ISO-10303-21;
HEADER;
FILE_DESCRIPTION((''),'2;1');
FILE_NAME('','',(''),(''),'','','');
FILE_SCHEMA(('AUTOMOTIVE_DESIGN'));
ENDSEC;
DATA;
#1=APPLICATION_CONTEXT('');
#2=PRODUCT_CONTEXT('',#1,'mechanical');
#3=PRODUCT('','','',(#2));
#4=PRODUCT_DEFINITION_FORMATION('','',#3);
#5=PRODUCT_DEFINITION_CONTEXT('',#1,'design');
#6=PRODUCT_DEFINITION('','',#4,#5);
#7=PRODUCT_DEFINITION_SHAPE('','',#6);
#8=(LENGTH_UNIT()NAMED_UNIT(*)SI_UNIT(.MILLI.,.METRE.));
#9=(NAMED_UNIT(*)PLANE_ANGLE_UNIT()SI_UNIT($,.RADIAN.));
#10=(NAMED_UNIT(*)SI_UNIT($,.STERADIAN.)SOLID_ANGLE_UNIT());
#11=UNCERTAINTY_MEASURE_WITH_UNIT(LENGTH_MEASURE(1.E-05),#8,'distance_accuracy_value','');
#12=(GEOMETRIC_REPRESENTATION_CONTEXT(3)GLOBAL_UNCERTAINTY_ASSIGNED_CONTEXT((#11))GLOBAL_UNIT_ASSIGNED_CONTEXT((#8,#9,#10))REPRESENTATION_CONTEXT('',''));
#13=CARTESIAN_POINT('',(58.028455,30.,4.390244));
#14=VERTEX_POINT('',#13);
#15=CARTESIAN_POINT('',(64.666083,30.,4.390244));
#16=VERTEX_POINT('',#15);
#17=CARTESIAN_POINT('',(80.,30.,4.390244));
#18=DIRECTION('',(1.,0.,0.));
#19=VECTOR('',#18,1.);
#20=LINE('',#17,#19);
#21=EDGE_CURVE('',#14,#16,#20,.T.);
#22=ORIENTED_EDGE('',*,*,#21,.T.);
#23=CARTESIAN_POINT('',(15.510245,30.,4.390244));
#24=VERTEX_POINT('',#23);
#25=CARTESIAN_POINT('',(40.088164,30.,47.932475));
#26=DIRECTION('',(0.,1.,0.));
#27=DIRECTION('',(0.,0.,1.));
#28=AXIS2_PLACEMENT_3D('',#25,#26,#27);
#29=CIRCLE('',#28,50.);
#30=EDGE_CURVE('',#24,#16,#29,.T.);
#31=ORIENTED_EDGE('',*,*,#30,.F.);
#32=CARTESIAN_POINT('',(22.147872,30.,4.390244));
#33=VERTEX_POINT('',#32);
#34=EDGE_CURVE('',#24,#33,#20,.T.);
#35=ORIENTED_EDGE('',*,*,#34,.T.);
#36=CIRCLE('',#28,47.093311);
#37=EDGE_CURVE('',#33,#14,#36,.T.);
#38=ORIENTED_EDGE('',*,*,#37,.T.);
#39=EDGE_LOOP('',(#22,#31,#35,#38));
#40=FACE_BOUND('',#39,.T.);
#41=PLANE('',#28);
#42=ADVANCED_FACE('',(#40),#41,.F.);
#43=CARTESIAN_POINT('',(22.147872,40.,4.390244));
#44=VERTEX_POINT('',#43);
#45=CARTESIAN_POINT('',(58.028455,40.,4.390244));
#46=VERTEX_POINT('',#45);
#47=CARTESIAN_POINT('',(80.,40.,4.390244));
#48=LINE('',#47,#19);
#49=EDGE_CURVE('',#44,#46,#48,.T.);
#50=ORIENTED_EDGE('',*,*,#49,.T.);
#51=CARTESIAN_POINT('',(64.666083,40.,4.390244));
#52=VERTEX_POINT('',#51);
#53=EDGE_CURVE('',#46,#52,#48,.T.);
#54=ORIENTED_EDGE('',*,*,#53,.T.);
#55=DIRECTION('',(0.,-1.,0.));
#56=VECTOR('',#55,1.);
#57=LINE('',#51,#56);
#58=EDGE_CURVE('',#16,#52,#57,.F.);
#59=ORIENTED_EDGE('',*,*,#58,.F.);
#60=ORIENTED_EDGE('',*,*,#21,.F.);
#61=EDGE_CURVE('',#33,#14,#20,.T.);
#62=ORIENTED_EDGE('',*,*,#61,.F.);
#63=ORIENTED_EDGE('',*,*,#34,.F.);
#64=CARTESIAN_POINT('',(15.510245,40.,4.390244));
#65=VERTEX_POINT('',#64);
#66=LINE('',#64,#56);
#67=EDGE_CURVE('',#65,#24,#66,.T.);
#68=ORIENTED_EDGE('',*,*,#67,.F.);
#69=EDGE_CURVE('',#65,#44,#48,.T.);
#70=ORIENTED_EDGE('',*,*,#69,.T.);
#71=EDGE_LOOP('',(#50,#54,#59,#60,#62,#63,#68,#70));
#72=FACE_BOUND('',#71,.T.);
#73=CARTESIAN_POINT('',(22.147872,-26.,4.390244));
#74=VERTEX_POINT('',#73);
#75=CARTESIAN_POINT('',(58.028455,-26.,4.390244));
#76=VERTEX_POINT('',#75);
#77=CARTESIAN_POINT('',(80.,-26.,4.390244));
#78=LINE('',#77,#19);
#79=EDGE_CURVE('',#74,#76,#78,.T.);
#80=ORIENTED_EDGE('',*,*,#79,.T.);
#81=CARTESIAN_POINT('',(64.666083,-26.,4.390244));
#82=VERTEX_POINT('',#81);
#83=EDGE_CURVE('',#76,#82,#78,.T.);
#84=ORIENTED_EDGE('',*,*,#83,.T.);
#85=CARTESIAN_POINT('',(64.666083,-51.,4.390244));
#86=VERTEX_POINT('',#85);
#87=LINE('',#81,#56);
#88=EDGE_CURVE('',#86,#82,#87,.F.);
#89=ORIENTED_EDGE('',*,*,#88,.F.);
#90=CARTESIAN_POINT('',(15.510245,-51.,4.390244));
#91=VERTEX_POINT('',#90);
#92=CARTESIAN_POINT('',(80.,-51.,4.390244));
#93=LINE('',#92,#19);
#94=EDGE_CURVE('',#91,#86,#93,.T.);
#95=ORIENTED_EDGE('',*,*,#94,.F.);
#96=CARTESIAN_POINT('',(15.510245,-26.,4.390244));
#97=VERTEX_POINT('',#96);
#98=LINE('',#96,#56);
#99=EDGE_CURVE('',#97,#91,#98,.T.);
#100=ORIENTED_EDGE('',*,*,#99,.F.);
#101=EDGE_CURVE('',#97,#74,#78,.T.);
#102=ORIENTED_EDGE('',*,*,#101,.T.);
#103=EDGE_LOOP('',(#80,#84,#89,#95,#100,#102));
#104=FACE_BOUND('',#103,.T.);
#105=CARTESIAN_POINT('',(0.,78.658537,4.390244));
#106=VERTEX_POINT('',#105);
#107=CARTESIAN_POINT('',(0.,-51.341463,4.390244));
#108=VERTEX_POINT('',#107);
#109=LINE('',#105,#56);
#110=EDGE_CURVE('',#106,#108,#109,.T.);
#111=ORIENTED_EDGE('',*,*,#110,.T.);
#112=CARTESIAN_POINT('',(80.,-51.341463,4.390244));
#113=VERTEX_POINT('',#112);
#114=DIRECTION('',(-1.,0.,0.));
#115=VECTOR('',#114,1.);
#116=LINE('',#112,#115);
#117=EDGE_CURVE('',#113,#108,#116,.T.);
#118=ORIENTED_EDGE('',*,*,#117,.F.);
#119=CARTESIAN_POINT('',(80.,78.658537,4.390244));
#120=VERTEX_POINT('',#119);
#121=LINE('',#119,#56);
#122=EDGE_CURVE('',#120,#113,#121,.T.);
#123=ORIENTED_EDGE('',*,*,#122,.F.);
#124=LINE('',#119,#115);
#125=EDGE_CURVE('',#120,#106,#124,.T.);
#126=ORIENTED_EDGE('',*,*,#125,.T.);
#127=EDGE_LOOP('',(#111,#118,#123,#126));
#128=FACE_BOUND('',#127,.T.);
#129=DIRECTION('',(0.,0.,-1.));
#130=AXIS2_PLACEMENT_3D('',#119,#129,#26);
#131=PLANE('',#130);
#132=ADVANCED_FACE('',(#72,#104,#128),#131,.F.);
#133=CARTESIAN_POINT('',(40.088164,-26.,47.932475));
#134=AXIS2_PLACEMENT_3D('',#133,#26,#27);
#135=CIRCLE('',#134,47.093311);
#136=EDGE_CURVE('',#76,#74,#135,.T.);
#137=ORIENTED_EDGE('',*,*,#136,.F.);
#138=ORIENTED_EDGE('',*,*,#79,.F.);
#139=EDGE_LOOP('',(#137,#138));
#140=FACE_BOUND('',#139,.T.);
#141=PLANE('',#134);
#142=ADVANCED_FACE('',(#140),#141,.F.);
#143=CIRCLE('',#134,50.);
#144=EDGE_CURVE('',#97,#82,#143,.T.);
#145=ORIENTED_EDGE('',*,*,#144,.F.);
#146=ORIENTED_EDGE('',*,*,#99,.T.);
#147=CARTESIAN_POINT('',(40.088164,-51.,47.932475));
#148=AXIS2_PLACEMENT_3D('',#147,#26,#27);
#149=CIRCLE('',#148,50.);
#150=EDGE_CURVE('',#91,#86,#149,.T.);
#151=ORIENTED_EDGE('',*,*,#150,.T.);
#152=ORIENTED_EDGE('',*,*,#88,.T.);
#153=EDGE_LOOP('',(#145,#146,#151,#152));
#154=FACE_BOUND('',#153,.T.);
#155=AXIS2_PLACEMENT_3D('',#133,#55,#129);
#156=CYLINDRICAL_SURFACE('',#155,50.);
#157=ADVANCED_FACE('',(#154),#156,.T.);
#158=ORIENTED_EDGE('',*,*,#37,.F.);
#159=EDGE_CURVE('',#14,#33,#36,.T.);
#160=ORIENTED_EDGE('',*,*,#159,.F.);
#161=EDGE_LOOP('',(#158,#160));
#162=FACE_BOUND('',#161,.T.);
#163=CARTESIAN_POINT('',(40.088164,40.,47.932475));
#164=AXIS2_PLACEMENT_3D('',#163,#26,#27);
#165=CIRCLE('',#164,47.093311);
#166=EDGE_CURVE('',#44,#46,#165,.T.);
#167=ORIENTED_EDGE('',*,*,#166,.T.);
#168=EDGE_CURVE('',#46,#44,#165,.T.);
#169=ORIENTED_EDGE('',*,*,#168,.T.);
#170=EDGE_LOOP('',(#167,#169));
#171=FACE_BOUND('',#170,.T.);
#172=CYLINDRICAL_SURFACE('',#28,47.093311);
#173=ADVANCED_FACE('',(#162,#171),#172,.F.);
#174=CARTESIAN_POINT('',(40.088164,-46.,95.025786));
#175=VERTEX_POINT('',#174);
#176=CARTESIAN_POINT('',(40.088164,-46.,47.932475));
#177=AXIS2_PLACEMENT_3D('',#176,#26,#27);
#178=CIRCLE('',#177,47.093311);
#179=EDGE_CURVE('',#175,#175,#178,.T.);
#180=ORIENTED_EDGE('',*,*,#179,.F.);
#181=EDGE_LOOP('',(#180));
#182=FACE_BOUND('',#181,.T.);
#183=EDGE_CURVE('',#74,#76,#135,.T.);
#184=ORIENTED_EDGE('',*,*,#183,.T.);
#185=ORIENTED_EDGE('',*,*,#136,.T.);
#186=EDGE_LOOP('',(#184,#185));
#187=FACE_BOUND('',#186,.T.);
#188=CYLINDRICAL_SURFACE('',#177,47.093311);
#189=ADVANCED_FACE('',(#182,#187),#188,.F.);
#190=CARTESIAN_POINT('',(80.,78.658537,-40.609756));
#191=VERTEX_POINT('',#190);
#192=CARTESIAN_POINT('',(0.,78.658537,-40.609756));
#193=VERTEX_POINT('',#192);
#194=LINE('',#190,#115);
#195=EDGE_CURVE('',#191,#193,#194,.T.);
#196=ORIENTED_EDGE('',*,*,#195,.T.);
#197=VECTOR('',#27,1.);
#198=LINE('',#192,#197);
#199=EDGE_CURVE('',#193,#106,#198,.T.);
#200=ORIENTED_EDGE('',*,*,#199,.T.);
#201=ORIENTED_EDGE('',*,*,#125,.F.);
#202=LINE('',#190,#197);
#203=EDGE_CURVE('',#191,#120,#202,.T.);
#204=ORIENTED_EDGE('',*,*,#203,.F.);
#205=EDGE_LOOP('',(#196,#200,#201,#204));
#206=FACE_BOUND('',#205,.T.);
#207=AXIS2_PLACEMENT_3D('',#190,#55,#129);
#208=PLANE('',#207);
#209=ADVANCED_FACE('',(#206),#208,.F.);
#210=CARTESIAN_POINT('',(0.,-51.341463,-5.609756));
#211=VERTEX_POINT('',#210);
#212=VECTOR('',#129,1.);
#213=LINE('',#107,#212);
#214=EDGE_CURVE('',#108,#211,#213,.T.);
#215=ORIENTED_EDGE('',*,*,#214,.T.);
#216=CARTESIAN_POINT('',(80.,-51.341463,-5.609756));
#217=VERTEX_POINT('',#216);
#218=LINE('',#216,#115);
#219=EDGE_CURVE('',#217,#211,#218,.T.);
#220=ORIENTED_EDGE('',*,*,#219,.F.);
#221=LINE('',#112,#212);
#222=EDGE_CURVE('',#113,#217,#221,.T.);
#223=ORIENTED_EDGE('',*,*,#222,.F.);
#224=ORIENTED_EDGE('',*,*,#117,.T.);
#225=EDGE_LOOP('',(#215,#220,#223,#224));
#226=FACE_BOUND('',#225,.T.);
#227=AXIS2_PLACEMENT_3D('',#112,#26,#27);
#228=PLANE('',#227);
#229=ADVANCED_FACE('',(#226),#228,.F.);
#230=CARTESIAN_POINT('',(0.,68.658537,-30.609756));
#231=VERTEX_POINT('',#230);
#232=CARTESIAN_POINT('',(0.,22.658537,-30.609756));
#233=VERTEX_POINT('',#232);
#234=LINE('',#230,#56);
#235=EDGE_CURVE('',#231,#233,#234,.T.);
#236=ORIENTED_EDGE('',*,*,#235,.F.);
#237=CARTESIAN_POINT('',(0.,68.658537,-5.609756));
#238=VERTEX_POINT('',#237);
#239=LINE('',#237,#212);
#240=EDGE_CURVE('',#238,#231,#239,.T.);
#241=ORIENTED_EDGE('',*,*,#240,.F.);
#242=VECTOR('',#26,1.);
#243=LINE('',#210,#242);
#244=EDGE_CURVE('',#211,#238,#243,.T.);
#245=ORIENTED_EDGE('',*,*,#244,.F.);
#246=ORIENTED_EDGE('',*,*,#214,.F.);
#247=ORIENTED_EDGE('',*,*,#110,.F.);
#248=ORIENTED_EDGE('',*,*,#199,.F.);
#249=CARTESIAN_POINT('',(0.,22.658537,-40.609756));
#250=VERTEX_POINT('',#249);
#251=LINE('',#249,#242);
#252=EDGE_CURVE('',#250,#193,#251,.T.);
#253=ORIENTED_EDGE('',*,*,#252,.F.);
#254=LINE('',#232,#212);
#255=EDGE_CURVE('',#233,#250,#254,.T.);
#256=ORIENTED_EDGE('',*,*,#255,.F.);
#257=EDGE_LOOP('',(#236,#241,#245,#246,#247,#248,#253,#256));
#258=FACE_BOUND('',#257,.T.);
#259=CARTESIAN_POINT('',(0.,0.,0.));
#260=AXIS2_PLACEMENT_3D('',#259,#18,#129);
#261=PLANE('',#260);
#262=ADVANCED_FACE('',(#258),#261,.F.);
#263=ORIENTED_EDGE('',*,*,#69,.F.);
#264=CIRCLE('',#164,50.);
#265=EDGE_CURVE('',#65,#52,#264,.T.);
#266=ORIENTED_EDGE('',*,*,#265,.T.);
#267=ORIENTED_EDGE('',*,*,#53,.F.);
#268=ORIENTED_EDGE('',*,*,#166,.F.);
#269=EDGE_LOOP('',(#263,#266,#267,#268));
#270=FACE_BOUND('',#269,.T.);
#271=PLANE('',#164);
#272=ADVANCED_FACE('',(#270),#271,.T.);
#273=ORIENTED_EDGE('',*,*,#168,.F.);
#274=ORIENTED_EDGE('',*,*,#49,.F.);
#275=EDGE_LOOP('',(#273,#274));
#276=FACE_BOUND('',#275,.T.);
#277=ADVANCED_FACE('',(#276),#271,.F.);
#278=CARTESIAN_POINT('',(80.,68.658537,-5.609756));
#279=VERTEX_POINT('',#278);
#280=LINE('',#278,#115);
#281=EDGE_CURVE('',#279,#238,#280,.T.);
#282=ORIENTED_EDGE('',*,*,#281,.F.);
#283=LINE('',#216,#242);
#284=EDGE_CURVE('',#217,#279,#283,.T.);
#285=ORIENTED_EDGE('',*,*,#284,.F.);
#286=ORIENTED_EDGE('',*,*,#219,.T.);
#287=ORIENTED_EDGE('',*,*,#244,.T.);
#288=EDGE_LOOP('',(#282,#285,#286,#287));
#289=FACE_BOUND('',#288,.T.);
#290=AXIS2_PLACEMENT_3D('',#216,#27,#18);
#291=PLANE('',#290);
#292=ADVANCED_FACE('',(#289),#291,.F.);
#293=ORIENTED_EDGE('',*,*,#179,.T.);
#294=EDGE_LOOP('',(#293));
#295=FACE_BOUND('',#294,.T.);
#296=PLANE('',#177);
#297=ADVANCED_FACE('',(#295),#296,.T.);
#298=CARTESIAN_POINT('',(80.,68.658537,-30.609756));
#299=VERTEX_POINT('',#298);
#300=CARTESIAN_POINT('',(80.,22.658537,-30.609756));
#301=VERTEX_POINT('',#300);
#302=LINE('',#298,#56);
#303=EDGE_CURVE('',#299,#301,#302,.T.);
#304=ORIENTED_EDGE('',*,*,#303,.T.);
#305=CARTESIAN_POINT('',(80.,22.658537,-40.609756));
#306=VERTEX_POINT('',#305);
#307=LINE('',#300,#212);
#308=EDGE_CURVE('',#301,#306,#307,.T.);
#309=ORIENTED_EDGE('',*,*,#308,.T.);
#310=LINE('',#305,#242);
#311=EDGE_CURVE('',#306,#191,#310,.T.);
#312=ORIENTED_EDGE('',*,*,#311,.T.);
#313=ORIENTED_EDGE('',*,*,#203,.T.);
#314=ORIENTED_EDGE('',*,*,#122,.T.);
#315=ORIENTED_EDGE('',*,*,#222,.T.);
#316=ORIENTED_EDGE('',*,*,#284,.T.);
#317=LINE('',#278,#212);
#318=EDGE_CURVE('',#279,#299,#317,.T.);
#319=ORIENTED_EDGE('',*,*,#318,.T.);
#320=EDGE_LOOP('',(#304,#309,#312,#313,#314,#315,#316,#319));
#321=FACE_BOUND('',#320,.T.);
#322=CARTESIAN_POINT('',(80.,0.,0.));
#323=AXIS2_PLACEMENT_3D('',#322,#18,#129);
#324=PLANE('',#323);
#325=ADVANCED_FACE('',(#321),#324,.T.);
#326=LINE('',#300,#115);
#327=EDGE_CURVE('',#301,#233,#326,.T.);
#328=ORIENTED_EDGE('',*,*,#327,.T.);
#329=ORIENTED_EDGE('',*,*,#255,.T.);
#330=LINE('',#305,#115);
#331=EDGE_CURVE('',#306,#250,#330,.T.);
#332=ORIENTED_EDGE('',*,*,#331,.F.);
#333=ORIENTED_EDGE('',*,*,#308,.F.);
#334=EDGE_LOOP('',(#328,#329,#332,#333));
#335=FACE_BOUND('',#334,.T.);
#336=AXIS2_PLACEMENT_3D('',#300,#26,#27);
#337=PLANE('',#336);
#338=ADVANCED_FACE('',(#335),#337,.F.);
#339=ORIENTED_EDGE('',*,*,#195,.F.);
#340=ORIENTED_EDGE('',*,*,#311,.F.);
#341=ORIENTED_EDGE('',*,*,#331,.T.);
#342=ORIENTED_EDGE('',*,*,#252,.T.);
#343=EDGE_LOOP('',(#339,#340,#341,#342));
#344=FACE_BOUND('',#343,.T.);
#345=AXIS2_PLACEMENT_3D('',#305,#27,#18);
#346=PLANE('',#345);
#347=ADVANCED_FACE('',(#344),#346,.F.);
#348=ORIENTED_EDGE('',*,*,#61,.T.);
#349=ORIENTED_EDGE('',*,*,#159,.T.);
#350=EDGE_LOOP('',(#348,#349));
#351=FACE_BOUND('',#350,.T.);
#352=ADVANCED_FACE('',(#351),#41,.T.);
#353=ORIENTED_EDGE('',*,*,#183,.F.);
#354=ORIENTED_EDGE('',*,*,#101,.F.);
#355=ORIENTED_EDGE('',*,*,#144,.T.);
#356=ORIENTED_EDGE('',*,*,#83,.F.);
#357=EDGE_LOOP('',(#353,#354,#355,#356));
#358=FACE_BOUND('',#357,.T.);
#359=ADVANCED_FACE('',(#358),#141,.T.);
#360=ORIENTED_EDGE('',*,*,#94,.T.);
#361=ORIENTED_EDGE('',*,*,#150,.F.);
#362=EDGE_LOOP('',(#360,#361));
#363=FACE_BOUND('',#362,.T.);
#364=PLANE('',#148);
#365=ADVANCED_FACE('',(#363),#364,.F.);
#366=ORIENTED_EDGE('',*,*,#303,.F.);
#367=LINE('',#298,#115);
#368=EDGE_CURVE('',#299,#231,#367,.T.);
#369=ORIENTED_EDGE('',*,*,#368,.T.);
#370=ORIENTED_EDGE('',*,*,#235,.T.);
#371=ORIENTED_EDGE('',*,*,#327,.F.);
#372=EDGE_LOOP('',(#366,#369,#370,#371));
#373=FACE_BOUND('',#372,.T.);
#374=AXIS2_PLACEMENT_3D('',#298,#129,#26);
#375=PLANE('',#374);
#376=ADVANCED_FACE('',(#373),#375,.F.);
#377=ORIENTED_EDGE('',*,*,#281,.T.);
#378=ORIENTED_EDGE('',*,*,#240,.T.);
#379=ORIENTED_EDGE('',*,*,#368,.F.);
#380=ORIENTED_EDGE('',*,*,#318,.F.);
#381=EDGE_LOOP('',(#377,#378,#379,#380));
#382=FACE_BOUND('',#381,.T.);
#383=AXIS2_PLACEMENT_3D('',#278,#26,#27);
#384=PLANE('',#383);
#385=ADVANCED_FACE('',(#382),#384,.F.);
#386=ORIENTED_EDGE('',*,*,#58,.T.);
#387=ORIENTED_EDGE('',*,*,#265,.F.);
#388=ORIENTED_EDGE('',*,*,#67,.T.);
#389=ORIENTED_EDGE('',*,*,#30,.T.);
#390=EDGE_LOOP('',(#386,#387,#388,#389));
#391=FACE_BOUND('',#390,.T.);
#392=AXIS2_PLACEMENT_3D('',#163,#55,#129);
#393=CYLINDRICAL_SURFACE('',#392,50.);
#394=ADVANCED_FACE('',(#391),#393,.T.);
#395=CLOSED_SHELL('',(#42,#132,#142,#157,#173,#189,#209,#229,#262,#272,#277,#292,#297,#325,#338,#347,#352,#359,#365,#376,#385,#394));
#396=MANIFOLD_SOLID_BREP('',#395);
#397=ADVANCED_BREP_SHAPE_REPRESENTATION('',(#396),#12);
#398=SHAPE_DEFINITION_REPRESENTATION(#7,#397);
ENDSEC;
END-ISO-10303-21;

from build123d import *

# Parameters (mm, degrees)
BOSS_EXTRUDE1_DEPTH = 80
SKETCH2_R           = 50
BOSS_EXTRUDE2_DEPTH = 10
SKETCH3_R           = 47.09331112
CUT_EXTRUDE1_DEPTH  = 10
SKETCH4_R           = 50
BOSS_EXTRUDE3_DEPTH = 25
SKETCH5_R           = 47.09331112
CUT_EXTRUDE2_DEPTH  = 20


with BuildPart() as part:
    # Sketch1 → Boss-Extrude1 (new body)
    with BuildSketch(Plane(origin=(0, 0, 0), x_dir=(0, 0, -1), z_dir=(1, 0, 0))):
        Polygon((40.609756098, 22.658536585), (40.609756098, 78.658536585), (-4.390243902, 78.658536585), (-4.390243902, -51.341463415), (5.609756098, -51.341463415), (5.609756098, 68.658536585), (30.609756098, 68.658536585), (30.609756098, 22.658536585), align=None)
    extrude(amount=BOSS_EXTRUDE1_DEPTH)

    # Sketch2 → Boss-Extrude2 (add)
    with BuildSketch(Plane(origin=(0, 30, 0), x_dir=(1, 0, 0), z_dir=(0, 1, 0))):
        with Locations((40.088163703, -47.932474998)):
            Circle(SKETCH2_R)
    extrude(amount=BOSS_EXTRUDE2_DEPTH)

    # Sketch3 → Cut-Extrude1 (cut)
    with BuildSketch(Plane(origin=(0, 40, 0), x_dir=(1, 0, 0), z_dir=(0, 1, 0))):
        with Locations(Location((40.088163703, -47.932474998, 0), (0, 0, 67.607335059))):
            Circle(SKETCH3_R)
    extrude(amount=-CUT_EXTRUDE1_DEPTH, mode=Mode.SUBTRACT)

    # Sketch4 → Boss-Extrude3 (add)
    with BuildSketch(Plane(origin=(0, -51, 0), x_dir=(1, 0, 0), z_dir=(0, 1, 0))):
        with Locations((40.088163703, -47.932474998)):
            Circle(SKETCH4_R)
    extrude(amount=BOSS_EXTRUDE3_DEPTH)

    # Sketch5 → Cut-Extrude2 (cut)
    with BuildSketch(Plane(origin=(0, -26, 0), x_dir=(1, 0, 0), z_dir=(0, 1, 0))):
        with Locations(Location((40.088163703, -47.932474998, 0), (0, 0, 67.607335059))):
            Circle(SKETCH5_R)
    extrude(amount=-CUT_EXTRUDE2_DEPTH, mode=Mode.SUBTRACT)


solid = part.part
